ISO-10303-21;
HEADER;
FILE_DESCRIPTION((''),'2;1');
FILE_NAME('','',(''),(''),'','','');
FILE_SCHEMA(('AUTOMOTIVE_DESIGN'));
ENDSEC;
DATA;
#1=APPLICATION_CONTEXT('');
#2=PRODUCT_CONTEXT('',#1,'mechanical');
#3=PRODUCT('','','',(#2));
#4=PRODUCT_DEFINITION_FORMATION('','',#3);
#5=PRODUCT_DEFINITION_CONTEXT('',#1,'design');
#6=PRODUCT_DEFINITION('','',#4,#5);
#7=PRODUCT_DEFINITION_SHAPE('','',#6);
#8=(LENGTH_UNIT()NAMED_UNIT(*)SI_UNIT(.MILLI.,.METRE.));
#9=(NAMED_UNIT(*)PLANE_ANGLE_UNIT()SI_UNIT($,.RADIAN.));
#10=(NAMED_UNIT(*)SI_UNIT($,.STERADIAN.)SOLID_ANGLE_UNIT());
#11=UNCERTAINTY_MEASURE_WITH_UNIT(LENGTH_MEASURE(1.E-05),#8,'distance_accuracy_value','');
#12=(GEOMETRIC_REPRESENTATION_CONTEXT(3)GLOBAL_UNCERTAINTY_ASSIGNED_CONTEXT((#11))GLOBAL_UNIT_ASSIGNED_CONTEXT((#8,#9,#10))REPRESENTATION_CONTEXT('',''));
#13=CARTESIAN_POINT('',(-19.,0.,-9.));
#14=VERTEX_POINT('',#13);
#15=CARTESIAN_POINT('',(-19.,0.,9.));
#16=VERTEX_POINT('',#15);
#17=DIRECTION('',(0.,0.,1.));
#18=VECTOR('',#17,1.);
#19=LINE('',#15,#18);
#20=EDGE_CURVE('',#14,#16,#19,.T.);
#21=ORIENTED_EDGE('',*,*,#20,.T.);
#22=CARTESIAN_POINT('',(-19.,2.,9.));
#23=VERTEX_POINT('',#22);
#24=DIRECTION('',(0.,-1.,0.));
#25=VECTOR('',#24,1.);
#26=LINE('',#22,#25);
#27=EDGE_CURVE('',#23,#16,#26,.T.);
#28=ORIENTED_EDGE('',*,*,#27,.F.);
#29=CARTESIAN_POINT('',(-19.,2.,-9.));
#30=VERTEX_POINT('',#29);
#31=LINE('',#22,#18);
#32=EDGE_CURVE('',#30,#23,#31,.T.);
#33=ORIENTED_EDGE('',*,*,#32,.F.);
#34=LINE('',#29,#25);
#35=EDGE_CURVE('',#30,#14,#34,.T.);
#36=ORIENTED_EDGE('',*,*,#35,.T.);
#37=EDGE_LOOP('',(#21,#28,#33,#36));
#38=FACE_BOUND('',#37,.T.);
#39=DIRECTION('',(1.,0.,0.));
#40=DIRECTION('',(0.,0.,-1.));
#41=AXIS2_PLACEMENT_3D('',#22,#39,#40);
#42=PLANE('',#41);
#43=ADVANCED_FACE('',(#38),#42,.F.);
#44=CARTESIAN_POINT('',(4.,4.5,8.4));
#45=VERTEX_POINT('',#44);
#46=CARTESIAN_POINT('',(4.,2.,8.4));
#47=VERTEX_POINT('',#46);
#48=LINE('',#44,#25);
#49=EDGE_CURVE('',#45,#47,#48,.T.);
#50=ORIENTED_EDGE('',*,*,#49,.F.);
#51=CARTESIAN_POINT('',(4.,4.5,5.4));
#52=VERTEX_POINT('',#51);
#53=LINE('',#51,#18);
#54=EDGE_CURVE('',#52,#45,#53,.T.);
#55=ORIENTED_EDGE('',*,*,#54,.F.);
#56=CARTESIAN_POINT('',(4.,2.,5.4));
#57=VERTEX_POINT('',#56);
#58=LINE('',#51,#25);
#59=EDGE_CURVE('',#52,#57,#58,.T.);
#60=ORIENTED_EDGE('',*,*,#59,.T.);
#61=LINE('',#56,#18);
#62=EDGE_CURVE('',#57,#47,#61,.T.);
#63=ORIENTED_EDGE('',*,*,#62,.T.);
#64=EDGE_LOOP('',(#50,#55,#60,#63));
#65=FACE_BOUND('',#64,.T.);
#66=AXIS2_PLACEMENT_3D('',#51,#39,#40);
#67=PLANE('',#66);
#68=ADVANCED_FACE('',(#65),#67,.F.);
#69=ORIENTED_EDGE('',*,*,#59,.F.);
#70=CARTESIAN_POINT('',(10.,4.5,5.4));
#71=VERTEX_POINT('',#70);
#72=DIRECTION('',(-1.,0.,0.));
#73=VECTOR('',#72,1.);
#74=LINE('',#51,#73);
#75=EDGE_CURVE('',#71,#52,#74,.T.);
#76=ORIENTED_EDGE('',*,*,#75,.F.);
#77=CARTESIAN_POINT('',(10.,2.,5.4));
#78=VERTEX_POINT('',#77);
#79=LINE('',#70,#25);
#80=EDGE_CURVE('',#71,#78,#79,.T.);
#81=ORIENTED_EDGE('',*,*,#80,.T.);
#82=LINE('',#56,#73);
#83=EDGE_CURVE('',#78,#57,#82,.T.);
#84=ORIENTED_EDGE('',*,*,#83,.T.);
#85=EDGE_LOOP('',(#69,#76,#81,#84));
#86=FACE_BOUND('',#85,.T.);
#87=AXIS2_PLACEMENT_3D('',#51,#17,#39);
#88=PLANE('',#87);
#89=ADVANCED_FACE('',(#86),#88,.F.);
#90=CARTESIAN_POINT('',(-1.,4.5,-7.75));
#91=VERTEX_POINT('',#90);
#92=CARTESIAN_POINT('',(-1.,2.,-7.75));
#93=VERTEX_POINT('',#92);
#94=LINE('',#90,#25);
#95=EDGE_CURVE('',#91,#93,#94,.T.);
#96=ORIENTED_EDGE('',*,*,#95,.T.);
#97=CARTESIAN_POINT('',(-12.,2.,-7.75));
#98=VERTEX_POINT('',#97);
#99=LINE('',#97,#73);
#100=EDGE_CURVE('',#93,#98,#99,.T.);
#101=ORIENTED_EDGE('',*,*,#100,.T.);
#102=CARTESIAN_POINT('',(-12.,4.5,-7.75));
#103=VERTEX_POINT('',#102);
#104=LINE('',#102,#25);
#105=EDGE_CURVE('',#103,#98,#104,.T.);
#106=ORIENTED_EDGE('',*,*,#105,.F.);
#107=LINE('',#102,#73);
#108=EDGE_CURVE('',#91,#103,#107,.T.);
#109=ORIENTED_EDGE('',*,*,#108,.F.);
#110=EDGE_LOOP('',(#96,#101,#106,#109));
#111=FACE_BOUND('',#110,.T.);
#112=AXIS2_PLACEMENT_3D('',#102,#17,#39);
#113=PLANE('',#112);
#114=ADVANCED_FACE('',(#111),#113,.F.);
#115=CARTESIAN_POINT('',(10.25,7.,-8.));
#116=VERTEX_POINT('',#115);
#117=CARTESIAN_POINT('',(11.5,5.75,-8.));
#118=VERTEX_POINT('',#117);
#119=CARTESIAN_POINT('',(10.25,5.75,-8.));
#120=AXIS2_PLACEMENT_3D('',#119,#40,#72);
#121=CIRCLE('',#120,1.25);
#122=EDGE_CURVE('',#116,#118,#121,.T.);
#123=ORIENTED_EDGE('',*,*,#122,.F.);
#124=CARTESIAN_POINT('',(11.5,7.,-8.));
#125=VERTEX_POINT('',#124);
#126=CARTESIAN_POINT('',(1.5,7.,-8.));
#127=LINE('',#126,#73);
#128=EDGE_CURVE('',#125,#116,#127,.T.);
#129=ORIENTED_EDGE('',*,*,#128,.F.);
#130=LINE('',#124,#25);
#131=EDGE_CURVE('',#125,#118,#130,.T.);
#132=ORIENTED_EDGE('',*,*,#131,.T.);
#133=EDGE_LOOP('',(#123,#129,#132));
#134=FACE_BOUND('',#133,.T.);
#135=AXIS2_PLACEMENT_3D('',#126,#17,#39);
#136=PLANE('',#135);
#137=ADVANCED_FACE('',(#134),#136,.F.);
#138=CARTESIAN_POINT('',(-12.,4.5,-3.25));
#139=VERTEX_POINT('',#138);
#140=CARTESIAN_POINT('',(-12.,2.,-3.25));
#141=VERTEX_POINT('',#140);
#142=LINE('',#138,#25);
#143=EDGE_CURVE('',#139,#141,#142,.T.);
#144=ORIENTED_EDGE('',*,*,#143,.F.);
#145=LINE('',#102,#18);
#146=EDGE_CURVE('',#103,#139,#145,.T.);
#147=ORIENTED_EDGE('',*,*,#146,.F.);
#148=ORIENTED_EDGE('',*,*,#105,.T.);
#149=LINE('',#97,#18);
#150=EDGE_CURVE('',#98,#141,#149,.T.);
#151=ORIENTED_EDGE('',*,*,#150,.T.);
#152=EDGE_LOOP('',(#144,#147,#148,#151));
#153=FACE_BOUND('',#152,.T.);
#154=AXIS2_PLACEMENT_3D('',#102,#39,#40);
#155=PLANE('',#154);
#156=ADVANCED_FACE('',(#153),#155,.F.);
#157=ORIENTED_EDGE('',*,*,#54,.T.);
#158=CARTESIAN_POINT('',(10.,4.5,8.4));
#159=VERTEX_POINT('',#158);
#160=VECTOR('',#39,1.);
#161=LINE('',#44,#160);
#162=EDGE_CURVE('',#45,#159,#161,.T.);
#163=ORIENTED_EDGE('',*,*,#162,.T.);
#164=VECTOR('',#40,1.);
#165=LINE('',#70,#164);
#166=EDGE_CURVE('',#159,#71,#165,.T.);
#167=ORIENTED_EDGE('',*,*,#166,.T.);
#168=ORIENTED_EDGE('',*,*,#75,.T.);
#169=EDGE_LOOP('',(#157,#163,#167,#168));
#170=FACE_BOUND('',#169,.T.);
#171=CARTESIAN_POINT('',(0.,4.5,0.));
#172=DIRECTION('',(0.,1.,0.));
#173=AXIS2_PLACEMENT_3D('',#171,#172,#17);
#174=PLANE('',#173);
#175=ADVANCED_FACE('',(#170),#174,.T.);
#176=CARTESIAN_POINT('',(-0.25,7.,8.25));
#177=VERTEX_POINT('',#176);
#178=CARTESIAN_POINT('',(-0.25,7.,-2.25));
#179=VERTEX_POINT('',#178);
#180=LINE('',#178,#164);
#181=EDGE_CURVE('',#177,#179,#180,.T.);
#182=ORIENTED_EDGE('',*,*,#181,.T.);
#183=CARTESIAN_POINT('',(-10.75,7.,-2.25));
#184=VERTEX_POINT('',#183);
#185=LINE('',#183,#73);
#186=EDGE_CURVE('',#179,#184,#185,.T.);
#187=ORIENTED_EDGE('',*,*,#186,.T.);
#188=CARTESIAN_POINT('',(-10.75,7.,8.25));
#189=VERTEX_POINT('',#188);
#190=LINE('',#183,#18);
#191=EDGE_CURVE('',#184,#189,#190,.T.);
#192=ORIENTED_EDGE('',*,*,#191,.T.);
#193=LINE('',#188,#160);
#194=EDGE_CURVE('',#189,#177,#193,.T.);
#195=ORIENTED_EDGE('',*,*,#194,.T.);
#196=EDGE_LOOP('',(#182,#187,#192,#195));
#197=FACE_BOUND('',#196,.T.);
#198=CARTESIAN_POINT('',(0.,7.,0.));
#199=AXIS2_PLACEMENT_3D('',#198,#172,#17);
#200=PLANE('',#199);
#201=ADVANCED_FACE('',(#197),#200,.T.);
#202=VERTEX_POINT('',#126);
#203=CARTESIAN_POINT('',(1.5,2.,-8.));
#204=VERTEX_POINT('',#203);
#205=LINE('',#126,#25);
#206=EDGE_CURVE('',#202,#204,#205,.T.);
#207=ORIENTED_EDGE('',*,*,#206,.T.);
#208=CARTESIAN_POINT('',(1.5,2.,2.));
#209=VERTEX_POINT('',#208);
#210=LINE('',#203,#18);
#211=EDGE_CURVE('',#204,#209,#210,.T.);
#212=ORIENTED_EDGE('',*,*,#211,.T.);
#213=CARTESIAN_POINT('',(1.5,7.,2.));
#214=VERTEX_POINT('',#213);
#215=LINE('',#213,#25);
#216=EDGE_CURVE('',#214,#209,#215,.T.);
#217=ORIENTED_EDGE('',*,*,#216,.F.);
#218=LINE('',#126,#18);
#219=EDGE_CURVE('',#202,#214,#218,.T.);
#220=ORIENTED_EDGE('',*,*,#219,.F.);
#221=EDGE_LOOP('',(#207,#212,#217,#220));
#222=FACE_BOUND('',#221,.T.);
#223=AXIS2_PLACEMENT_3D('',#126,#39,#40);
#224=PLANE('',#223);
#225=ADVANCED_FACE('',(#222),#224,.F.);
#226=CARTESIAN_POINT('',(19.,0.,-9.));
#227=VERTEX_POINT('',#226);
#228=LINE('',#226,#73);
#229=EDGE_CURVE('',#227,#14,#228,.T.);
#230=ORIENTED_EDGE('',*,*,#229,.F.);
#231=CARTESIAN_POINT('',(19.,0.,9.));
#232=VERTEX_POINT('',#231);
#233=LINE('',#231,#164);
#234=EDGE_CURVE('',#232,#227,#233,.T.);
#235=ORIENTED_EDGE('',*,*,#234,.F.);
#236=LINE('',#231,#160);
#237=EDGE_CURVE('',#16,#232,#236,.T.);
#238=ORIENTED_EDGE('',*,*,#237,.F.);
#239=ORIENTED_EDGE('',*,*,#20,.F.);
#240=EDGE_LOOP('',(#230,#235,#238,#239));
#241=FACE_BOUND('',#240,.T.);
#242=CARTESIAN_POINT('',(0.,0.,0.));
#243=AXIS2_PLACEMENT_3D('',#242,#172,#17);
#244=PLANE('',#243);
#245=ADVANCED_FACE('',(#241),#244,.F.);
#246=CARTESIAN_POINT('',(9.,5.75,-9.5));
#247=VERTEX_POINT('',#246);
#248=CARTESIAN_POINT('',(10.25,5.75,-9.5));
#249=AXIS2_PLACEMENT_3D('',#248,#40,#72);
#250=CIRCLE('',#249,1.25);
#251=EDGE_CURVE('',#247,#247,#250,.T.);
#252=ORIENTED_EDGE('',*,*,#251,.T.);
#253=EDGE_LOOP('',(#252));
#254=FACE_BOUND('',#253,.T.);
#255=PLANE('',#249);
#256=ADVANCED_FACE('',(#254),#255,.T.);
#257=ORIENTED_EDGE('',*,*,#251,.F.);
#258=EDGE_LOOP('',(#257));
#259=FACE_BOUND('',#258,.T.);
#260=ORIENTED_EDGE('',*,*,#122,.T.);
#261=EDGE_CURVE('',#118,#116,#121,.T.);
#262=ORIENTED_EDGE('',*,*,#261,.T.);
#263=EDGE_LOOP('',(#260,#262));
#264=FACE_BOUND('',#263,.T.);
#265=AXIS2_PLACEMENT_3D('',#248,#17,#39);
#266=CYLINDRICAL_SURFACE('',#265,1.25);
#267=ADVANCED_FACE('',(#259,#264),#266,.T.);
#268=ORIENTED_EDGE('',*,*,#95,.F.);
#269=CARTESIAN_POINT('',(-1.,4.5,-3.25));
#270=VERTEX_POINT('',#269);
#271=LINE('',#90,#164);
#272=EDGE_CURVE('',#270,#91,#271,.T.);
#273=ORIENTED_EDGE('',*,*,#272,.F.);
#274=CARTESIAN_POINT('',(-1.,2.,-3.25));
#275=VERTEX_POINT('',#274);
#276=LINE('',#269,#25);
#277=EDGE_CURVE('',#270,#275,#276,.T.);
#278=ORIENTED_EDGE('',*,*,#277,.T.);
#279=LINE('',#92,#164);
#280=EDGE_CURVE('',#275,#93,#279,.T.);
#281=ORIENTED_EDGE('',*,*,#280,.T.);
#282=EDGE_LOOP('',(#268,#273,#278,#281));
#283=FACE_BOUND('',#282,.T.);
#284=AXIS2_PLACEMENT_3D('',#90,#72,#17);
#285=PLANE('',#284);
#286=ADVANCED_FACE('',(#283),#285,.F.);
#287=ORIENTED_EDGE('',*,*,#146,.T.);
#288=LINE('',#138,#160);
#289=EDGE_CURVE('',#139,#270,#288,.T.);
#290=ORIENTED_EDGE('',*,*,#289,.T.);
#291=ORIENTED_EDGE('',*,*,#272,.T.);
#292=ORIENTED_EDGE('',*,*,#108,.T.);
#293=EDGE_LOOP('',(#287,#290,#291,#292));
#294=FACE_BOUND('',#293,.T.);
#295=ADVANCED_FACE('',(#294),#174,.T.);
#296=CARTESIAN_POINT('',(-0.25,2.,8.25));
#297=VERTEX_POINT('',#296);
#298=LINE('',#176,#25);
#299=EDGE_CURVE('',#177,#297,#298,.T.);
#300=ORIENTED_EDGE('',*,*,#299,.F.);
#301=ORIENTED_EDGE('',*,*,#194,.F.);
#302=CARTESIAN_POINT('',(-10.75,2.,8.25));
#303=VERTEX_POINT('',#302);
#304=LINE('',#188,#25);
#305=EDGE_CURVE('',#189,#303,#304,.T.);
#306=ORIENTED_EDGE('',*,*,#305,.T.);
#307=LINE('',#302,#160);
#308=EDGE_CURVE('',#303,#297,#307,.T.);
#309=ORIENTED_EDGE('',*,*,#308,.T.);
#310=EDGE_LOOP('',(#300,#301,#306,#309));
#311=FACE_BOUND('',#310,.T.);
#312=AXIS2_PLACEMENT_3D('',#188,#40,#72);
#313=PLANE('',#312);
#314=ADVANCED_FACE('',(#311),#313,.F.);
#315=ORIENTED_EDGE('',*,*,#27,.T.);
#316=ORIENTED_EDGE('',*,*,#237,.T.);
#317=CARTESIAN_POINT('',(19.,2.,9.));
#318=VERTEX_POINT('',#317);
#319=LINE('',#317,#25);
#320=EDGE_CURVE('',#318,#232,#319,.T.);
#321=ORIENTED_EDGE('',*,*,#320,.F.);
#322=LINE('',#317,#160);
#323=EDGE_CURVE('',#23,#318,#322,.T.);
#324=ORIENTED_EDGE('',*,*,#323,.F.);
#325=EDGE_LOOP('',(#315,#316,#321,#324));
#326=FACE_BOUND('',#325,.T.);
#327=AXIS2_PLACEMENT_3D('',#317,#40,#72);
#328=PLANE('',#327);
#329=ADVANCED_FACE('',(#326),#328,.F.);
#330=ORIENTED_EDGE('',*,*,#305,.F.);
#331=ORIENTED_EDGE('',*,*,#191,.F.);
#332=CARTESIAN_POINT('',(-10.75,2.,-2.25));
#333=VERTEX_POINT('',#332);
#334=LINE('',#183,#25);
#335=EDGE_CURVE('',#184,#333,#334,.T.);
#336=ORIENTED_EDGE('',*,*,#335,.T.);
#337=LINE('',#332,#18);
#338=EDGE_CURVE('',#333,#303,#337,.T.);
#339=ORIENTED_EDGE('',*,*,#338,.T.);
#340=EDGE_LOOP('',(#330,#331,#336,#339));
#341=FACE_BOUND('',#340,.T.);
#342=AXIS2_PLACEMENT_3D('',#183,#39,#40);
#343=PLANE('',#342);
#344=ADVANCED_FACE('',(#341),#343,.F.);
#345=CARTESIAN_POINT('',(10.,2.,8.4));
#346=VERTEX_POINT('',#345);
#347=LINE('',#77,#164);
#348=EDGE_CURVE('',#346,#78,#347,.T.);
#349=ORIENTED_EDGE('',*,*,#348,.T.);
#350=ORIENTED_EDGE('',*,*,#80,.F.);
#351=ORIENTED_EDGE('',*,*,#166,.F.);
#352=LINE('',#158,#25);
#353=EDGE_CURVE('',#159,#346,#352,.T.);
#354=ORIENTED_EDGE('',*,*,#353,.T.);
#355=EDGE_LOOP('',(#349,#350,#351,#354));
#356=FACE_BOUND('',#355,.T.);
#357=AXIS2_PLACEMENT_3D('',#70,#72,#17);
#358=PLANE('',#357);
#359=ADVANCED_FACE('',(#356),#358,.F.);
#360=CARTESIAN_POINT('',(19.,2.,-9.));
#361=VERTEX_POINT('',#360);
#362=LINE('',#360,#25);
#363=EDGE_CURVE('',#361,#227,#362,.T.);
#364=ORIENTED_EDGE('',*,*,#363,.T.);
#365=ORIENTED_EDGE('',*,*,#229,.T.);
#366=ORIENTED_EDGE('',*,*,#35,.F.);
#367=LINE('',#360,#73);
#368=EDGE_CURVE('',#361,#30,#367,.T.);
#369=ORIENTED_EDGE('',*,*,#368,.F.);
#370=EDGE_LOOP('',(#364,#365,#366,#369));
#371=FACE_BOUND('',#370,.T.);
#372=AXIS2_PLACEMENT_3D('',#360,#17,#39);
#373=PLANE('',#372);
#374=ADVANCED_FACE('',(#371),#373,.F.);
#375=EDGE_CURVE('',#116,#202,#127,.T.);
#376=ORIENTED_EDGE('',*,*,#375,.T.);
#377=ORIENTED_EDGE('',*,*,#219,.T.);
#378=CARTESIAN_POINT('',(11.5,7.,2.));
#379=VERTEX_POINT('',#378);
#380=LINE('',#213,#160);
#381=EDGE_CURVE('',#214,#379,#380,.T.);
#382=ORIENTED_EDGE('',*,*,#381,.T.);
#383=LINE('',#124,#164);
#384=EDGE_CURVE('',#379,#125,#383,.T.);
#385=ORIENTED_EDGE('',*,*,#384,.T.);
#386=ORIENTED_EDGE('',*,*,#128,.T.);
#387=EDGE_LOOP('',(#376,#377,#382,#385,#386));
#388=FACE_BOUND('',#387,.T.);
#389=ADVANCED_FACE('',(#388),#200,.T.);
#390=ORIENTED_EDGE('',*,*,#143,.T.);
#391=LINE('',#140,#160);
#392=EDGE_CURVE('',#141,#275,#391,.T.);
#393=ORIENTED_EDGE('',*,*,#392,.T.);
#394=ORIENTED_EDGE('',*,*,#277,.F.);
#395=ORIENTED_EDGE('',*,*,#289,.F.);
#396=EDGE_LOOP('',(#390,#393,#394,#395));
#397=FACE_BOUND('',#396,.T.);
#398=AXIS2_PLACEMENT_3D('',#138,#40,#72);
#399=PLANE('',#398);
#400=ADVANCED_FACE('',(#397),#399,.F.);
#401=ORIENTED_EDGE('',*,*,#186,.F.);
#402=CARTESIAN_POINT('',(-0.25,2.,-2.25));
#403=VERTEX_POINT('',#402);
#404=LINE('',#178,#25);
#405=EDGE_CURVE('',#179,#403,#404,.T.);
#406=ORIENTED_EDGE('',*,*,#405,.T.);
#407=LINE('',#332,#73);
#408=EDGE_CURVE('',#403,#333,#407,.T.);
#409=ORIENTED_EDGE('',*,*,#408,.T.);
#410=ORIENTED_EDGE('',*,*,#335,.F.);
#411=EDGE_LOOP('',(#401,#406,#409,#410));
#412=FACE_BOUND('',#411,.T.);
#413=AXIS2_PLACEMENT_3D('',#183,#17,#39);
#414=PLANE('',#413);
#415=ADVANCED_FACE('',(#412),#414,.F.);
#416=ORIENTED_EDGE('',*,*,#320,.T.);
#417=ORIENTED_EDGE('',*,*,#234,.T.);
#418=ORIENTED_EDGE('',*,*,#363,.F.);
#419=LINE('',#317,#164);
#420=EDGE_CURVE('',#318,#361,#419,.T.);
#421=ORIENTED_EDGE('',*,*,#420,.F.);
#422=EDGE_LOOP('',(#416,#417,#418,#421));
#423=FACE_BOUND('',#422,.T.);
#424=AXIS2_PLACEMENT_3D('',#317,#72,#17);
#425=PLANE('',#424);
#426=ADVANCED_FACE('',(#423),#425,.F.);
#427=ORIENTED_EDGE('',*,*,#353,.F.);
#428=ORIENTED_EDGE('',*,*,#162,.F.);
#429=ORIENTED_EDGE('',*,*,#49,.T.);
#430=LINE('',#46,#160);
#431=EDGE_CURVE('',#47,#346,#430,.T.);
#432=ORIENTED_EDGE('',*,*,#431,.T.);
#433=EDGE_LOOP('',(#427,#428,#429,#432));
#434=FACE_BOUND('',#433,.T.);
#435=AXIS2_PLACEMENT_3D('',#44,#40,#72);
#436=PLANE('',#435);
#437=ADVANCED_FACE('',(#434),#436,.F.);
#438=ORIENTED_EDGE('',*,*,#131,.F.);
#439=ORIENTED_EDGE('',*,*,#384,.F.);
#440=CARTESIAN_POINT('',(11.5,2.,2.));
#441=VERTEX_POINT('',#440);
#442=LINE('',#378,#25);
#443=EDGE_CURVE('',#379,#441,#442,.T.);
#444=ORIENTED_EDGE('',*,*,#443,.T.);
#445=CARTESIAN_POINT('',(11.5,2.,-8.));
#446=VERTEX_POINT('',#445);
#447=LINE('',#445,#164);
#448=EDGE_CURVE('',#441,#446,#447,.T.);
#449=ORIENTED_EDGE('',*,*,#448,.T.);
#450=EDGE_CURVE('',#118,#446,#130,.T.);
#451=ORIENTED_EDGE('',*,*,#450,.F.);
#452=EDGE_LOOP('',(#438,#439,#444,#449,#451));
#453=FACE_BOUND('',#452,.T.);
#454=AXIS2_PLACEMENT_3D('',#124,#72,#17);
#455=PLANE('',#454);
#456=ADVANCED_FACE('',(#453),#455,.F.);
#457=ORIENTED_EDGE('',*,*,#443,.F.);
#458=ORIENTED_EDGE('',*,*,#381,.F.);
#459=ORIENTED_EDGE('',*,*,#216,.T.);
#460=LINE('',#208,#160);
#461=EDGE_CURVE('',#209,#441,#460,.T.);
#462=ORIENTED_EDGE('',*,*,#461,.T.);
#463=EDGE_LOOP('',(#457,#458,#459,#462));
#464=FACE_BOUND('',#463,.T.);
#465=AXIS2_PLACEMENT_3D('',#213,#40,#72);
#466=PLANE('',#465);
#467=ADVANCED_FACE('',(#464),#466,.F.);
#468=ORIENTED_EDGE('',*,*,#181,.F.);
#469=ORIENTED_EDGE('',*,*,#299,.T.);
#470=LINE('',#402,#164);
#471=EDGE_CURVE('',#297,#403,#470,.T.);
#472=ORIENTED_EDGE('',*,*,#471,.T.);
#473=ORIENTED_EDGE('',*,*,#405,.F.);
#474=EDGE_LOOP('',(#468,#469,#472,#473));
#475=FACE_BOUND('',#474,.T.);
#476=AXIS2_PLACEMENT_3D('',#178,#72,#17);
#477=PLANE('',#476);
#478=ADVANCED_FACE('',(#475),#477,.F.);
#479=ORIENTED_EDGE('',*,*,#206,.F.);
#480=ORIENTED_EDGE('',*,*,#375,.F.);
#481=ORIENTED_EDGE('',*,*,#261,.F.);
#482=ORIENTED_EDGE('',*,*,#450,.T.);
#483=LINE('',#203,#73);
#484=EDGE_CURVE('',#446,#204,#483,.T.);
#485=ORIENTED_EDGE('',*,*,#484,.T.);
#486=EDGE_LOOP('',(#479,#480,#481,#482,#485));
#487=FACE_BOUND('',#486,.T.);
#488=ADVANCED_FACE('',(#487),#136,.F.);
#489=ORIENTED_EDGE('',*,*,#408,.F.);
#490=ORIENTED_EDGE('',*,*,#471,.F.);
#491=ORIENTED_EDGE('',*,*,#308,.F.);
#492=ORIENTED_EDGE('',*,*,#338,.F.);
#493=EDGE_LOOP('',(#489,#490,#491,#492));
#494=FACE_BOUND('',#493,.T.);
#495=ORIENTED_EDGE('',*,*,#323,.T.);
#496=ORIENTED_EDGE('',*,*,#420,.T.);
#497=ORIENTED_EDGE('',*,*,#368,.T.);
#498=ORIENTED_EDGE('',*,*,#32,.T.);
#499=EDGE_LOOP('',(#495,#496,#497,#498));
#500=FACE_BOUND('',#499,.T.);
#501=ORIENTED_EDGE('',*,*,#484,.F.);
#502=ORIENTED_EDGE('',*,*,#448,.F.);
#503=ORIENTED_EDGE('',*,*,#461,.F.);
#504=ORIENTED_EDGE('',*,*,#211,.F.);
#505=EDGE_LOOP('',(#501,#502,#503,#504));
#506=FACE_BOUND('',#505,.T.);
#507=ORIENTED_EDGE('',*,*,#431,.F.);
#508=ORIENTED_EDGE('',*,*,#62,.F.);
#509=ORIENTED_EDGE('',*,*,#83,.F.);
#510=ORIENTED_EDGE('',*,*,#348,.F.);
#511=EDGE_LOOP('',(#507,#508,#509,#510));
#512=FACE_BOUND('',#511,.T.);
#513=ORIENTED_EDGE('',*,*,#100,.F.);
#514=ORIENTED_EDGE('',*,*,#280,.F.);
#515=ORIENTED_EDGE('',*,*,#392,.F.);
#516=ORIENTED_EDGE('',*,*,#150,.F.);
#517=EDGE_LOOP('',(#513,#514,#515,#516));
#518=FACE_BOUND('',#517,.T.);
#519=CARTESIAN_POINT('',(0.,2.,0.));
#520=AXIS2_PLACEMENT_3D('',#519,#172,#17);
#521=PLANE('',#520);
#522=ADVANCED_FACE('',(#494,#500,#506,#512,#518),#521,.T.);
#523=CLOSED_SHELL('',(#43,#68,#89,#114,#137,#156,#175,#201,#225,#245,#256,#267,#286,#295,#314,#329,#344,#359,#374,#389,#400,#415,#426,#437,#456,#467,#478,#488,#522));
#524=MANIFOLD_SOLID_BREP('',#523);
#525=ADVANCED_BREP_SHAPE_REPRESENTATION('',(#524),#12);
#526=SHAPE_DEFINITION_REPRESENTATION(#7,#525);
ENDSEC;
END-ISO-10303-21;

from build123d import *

# Parameters (mm, degrees)
SKETCH1_W           = 38
SKETCH1_H           = 18
BOSS_EXTRUDE1_DEPTH = 2
SKETCH2_W           = 6
SKETCH2_H           = 3
SKETCH2_W_2         = 11
SKETCH2_H_2         = 4.5
BOSS_EXTRUDE2_DEPTH = 2.5
SKETCH3_W           = 10.5
SKETCH3_H           = 10.5
SKETCH3_W_2         = 10
SKETCH3_H_2         = 10
BOSS_EXTRUDE3_DEPTH = 5
SKETCH4_R           = 1.25
BOSS_EXTRUDE4_DEPTH = 1.5


with BuildPart() as part:
    # Sketch1 → Boss-Extrude1 (new body)
    with BuildSketch(Plane(origin=(0, 0, 0), x_dir=(1, 0, 0), z_dir=(0, 1, 0))):
        Rectangle(SKETCH1_W, SKETCH1_H)
    extrude(amount=BOSS_EXTRUDE1_DEPTH)

    # Sketch2 → Boss-Extrude2 (add)
    with BuildSketch(Plane(origin=(0, 2, 0), x_dir=(1, 0, 0), z_dir=(0, 1, 0))):
        with Locations((7, -6.9)):
            Rectangle(SKETCH2_W, SKETCH2_H)
        with Locations((-6.5, 5.5)):
            Rectangle(SKETCH2_W_2, SKETCH2_H_2)
    extrude(amount=BOSS_EXTRUDE2_DEPTH)

    # Sketch3 → Boss-Extrude3 (add)
    with BuildSketch(Plane(origin=(0, 2, 0), x_dir=(1, 0, 0), z_dir=(0, 1, 0))):
        with Locations((-5.5, -3)):
            Rectangle(SKETCH3_W, SKETCH3_H)
        with Locations((6.5, 3)):
            Rectangle(SKETCH3_W_2, SKETCH3_H_2)
    extrude(amount=BOSS_EXTRUDE3_DEPTH)

    # Sketch4 → Boss-Extrude4 (add)
    with BuildSketch(Plane(origin=(0, 0, -8), x_dir=(-1, 0, 0), z_dir=(0, 0, -1))):
        with Locations(Location((-10.25, 5.75, 0), (0, 0, 180))):
            Circle(SKETCH4_R)
    extrude(amount=BOSS_EXTRUDE4_DEPTH)


solid = part.part
